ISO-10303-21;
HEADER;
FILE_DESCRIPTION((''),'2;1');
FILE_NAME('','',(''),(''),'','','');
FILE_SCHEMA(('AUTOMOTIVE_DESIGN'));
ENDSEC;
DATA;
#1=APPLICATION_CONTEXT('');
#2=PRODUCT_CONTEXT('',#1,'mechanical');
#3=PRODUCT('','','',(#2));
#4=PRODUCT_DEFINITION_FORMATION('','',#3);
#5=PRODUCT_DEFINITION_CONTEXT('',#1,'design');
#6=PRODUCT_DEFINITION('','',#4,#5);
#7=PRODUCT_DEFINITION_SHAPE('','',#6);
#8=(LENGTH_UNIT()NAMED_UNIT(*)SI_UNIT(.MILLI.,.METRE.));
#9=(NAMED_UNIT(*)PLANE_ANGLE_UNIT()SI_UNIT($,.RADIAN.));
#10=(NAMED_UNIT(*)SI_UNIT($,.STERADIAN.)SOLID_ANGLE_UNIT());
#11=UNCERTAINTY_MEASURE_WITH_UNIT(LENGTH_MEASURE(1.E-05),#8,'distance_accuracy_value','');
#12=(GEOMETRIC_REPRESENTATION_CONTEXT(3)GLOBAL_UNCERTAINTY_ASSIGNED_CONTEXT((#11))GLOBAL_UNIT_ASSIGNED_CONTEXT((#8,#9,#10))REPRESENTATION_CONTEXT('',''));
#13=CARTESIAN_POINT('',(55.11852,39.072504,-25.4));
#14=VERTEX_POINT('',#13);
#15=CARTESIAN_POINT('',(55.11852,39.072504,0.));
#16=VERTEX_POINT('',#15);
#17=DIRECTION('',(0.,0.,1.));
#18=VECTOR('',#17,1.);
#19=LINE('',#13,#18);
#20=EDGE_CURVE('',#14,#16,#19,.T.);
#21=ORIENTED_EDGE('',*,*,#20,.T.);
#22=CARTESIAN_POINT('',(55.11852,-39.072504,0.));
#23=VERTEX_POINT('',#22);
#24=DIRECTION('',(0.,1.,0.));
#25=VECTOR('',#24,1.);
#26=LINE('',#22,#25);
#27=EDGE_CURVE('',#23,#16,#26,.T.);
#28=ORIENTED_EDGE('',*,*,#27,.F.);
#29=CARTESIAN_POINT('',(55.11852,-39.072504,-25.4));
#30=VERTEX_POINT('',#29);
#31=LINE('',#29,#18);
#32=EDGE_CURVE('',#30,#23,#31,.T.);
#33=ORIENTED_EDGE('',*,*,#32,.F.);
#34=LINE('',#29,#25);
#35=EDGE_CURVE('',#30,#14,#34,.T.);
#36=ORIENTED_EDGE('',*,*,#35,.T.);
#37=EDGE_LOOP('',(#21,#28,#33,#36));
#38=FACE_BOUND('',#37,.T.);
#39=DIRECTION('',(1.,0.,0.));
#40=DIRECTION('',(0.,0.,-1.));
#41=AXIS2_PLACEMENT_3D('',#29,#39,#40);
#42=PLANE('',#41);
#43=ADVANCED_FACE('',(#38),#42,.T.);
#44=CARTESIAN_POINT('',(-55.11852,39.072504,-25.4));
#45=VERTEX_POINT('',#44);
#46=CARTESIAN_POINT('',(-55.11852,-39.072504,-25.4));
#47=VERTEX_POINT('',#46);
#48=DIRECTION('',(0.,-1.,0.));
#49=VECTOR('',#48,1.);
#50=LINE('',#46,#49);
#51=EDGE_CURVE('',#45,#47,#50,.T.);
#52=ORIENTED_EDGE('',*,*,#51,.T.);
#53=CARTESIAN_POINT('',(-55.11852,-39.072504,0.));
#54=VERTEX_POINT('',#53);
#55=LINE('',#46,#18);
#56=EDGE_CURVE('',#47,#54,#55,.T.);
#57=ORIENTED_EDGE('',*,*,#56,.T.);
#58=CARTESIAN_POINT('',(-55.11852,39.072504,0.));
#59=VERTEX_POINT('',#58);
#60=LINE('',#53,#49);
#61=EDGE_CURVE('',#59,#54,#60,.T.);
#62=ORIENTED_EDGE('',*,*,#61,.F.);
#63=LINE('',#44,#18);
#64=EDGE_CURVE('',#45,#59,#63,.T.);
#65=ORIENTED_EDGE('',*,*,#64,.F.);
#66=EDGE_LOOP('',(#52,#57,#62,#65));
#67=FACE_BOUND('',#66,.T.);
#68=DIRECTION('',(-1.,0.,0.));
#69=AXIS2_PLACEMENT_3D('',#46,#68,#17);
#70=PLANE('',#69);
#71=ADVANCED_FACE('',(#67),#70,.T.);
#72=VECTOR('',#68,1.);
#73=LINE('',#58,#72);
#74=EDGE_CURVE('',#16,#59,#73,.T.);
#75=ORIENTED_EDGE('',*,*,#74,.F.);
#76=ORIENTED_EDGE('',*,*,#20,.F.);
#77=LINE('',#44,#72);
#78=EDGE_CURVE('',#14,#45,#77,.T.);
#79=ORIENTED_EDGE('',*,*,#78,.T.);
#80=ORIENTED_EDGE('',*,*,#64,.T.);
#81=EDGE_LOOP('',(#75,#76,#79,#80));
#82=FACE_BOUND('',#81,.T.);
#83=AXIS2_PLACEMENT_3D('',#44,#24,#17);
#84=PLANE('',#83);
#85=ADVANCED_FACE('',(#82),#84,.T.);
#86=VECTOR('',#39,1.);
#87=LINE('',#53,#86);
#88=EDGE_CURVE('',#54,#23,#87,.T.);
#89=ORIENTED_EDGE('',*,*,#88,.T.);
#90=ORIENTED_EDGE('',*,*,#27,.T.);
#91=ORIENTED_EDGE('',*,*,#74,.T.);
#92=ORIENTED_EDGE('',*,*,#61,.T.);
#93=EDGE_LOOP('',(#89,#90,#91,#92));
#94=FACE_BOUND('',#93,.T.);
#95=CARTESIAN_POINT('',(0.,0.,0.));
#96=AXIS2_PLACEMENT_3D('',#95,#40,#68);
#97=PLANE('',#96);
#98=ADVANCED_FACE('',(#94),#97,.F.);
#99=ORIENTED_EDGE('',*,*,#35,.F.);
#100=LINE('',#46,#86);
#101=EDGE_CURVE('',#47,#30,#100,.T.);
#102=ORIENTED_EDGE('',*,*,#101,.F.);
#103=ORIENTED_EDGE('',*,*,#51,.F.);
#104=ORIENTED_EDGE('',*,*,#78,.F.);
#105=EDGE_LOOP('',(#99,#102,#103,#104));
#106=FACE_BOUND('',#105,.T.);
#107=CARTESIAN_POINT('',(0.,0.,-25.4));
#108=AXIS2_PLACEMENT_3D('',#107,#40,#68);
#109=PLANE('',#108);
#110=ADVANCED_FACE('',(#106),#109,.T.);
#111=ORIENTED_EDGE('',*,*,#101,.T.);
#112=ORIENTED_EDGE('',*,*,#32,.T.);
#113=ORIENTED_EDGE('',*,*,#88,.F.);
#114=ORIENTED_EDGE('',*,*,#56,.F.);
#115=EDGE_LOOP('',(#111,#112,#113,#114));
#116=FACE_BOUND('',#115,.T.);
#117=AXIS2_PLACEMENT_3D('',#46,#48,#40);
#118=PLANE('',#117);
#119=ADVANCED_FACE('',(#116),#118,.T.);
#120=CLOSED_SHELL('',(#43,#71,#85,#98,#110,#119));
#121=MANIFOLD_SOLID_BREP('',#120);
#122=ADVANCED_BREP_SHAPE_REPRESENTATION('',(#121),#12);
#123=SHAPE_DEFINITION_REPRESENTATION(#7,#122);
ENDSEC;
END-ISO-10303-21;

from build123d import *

# Parameters (mm, degrees)
SKETCH1_W           = 110.237040332
SKETCH1_H           = 78.14500721
BOSS_EXTRUDE1_DEPTH = 25.4


with BuildPart() as part:
    # Sketch1 → Boss-Extrude1 (new body)
    with BuildSketch(Plane.XY):
        Rectangle(SKETCH1_W, SKETCH1_H)
    extrude(amount=-BOSS_EXTRUDE1_DEPTH)


solid = part.part
